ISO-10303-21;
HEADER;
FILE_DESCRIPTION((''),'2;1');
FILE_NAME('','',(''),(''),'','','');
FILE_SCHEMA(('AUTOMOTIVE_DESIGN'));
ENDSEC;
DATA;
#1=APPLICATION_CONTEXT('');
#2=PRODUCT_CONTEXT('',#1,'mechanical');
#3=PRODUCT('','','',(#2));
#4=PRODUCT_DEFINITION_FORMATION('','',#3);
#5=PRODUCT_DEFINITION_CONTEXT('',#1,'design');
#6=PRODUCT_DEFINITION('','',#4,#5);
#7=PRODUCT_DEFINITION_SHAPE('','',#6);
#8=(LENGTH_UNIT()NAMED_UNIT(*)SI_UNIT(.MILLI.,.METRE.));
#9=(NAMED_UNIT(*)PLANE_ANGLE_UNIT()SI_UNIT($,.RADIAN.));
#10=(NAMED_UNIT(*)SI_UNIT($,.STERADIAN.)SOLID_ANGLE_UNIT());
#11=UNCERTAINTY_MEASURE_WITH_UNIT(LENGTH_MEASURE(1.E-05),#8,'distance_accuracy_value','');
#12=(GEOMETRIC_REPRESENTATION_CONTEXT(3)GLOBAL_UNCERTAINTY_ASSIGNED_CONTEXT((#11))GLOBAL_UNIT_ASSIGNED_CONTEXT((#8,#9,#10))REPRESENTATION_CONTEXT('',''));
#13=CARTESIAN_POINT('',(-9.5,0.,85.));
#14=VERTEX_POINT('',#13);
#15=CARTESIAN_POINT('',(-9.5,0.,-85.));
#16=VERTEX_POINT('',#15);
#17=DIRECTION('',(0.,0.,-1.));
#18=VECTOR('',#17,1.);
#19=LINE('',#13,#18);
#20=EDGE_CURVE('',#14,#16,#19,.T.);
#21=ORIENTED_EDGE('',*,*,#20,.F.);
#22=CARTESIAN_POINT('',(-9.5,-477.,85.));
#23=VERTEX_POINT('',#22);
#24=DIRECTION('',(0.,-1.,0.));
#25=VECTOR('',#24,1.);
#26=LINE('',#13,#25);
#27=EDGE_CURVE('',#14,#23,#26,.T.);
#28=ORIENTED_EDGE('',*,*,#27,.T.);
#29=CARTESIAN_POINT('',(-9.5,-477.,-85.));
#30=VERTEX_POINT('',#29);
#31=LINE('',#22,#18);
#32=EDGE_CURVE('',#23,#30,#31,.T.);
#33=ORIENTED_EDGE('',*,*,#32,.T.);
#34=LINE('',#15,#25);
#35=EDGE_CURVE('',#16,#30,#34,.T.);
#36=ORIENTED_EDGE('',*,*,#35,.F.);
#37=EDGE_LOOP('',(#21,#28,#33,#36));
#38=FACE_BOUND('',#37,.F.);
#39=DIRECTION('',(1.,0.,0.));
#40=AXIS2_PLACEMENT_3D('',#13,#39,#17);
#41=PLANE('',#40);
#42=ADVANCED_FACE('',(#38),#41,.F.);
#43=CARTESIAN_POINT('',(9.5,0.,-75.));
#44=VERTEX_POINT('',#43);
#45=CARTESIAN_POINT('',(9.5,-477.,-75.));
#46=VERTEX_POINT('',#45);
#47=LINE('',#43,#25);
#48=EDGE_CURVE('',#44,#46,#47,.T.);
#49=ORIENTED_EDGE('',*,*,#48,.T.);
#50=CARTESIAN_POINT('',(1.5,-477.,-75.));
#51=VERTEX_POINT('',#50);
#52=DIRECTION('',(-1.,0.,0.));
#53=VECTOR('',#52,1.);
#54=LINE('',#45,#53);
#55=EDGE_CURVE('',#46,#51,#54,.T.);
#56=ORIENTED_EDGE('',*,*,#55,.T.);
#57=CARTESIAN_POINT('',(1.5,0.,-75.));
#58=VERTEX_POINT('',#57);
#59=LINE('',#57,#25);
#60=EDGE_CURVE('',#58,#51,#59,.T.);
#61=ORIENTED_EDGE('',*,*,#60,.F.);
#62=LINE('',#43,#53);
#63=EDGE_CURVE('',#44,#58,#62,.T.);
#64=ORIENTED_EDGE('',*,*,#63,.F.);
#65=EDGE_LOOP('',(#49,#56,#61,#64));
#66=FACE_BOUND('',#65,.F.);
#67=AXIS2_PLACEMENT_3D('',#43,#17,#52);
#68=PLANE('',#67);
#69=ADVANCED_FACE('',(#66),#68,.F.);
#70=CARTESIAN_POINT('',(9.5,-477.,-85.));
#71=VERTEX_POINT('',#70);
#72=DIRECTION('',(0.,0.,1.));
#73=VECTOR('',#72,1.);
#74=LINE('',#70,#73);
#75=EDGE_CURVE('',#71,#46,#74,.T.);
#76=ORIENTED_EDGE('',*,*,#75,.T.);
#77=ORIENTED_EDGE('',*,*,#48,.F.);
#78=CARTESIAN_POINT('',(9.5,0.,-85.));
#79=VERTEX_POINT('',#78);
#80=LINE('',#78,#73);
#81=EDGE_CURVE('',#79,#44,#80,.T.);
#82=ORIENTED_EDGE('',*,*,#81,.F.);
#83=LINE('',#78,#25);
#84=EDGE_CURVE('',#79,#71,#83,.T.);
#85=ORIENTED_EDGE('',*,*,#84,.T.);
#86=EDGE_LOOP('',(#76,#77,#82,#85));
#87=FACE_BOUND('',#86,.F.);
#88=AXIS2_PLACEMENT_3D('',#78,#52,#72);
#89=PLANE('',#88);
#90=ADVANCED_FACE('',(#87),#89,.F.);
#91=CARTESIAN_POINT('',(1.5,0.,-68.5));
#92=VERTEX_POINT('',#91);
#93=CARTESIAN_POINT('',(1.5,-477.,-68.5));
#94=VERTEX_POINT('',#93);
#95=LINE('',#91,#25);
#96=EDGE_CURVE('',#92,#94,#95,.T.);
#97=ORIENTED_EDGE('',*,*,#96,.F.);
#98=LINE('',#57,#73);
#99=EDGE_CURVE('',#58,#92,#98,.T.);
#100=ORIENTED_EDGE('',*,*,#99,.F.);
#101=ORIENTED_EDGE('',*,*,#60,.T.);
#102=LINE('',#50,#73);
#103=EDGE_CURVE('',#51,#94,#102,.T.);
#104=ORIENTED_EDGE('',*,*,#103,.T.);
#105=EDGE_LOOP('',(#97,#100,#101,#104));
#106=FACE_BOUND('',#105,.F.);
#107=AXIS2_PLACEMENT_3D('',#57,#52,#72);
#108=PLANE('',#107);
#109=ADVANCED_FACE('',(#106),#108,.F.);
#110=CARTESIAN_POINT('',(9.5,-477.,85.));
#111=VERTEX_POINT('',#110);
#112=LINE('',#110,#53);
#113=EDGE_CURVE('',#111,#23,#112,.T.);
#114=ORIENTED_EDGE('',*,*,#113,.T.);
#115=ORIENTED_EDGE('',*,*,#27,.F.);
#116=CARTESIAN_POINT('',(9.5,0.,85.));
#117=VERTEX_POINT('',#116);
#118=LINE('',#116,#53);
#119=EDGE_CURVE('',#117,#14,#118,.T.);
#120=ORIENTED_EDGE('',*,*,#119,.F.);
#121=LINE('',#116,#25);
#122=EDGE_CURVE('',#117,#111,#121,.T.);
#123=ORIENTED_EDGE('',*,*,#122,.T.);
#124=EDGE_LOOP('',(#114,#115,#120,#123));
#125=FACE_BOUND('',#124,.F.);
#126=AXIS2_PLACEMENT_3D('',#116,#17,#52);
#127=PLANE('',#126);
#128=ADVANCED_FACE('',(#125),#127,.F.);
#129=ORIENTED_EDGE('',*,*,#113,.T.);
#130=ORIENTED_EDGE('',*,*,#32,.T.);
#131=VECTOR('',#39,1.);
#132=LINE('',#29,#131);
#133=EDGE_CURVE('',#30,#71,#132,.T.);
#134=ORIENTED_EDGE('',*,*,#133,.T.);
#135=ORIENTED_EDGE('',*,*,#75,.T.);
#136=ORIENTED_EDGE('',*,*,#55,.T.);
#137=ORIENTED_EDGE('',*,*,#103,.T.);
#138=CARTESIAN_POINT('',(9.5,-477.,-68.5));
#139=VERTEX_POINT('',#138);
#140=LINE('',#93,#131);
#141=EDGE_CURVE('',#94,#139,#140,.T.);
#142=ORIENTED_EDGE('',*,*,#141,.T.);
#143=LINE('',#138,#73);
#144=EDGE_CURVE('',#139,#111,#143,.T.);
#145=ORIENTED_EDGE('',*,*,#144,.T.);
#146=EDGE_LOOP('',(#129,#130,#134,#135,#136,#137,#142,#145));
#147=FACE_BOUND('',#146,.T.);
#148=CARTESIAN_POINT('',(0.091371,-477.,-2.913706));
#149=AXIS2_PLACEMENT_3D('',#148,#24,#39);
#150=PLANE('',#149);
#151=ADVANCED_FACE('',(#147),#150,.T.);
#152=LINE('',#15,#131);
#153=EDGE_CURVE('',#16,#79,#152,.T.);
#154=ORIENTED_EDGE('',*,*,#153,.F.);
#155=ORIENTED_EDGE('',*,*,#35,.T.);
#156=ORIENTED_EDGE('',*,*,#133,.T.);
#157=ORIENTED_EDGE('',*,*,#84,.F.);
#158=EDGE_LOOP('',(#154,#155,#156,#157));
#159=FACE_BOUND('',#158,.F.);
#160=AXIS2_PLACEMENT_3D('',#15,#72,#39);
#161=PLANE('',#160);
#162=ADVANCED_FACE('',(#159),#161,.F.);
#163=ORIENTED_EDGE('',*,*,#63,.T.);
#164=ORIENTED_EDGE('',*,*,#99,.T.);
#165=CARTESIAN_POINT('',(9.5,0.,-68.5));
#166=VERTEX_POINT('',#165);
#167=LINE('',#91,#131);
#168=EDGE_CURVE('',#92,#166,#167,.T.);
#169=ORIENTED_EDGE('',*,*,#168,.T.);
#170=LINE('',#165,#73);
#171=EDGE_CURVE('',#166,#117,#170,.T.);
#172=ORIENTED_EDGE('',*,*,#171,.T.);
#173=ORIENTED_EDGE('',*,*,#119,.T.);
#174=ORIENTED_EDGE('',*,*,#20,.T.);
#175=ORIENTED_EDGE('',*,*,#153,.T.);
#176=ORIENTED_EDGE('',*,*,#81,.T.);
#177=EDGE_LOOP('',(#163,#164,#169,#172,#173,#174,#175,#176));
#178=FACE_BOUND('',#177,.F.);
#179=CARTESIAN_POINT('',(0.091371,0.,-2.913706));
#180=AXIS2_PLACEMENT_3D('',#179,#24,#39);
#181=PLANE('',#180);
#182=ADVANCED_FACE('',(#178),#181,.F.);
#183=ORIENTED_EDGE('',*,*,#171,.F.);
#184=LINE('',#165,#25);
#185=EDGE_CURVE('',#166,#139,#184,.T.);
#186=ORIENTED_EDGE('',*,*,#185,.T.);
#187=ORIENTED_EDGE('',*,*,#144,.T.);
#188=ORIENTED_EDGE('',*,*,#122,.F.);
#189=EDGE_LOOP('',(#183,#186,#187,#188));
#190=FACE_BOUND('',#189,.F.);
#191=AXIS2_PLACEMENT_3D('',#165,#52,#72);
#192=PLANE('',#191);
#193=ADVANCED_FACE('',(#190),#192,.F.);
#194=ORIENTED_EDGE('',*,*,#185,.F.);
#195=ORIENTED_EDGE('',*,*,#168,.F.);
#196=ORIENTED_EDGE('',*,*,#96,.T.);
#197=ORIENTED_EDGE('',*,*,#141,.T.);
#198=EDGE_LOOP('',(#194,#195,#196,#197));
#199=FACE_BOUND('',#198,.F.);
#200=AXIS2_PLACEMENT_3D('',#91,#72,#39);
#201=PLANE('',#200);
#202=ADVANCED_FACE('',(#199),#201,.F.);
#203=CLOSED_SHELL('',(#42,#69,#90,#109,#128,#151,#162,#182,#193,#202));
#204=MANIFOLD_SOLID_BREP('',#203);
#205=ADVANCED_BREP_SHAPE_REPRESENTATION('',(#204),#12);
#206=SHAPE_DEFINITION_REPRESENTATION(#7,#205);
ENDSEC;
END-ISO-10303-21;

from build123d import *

# Parameters (mm, degrees)
PAD_DEPTH = 477


with BuildPart() as part:
    # Sketch → Pad (new body)
    with BuildSketch(Plane.XZ):
        Polygon((-9.5, -85), (9.5, -85), (9.5, -75), (1.5, -75), (1.5, -68.5), (9.5, -68.5), (9.5, 85), (-9.5, 85), align=None)
    extrude(amount=PAD_DEPTH)


solid = part.part
